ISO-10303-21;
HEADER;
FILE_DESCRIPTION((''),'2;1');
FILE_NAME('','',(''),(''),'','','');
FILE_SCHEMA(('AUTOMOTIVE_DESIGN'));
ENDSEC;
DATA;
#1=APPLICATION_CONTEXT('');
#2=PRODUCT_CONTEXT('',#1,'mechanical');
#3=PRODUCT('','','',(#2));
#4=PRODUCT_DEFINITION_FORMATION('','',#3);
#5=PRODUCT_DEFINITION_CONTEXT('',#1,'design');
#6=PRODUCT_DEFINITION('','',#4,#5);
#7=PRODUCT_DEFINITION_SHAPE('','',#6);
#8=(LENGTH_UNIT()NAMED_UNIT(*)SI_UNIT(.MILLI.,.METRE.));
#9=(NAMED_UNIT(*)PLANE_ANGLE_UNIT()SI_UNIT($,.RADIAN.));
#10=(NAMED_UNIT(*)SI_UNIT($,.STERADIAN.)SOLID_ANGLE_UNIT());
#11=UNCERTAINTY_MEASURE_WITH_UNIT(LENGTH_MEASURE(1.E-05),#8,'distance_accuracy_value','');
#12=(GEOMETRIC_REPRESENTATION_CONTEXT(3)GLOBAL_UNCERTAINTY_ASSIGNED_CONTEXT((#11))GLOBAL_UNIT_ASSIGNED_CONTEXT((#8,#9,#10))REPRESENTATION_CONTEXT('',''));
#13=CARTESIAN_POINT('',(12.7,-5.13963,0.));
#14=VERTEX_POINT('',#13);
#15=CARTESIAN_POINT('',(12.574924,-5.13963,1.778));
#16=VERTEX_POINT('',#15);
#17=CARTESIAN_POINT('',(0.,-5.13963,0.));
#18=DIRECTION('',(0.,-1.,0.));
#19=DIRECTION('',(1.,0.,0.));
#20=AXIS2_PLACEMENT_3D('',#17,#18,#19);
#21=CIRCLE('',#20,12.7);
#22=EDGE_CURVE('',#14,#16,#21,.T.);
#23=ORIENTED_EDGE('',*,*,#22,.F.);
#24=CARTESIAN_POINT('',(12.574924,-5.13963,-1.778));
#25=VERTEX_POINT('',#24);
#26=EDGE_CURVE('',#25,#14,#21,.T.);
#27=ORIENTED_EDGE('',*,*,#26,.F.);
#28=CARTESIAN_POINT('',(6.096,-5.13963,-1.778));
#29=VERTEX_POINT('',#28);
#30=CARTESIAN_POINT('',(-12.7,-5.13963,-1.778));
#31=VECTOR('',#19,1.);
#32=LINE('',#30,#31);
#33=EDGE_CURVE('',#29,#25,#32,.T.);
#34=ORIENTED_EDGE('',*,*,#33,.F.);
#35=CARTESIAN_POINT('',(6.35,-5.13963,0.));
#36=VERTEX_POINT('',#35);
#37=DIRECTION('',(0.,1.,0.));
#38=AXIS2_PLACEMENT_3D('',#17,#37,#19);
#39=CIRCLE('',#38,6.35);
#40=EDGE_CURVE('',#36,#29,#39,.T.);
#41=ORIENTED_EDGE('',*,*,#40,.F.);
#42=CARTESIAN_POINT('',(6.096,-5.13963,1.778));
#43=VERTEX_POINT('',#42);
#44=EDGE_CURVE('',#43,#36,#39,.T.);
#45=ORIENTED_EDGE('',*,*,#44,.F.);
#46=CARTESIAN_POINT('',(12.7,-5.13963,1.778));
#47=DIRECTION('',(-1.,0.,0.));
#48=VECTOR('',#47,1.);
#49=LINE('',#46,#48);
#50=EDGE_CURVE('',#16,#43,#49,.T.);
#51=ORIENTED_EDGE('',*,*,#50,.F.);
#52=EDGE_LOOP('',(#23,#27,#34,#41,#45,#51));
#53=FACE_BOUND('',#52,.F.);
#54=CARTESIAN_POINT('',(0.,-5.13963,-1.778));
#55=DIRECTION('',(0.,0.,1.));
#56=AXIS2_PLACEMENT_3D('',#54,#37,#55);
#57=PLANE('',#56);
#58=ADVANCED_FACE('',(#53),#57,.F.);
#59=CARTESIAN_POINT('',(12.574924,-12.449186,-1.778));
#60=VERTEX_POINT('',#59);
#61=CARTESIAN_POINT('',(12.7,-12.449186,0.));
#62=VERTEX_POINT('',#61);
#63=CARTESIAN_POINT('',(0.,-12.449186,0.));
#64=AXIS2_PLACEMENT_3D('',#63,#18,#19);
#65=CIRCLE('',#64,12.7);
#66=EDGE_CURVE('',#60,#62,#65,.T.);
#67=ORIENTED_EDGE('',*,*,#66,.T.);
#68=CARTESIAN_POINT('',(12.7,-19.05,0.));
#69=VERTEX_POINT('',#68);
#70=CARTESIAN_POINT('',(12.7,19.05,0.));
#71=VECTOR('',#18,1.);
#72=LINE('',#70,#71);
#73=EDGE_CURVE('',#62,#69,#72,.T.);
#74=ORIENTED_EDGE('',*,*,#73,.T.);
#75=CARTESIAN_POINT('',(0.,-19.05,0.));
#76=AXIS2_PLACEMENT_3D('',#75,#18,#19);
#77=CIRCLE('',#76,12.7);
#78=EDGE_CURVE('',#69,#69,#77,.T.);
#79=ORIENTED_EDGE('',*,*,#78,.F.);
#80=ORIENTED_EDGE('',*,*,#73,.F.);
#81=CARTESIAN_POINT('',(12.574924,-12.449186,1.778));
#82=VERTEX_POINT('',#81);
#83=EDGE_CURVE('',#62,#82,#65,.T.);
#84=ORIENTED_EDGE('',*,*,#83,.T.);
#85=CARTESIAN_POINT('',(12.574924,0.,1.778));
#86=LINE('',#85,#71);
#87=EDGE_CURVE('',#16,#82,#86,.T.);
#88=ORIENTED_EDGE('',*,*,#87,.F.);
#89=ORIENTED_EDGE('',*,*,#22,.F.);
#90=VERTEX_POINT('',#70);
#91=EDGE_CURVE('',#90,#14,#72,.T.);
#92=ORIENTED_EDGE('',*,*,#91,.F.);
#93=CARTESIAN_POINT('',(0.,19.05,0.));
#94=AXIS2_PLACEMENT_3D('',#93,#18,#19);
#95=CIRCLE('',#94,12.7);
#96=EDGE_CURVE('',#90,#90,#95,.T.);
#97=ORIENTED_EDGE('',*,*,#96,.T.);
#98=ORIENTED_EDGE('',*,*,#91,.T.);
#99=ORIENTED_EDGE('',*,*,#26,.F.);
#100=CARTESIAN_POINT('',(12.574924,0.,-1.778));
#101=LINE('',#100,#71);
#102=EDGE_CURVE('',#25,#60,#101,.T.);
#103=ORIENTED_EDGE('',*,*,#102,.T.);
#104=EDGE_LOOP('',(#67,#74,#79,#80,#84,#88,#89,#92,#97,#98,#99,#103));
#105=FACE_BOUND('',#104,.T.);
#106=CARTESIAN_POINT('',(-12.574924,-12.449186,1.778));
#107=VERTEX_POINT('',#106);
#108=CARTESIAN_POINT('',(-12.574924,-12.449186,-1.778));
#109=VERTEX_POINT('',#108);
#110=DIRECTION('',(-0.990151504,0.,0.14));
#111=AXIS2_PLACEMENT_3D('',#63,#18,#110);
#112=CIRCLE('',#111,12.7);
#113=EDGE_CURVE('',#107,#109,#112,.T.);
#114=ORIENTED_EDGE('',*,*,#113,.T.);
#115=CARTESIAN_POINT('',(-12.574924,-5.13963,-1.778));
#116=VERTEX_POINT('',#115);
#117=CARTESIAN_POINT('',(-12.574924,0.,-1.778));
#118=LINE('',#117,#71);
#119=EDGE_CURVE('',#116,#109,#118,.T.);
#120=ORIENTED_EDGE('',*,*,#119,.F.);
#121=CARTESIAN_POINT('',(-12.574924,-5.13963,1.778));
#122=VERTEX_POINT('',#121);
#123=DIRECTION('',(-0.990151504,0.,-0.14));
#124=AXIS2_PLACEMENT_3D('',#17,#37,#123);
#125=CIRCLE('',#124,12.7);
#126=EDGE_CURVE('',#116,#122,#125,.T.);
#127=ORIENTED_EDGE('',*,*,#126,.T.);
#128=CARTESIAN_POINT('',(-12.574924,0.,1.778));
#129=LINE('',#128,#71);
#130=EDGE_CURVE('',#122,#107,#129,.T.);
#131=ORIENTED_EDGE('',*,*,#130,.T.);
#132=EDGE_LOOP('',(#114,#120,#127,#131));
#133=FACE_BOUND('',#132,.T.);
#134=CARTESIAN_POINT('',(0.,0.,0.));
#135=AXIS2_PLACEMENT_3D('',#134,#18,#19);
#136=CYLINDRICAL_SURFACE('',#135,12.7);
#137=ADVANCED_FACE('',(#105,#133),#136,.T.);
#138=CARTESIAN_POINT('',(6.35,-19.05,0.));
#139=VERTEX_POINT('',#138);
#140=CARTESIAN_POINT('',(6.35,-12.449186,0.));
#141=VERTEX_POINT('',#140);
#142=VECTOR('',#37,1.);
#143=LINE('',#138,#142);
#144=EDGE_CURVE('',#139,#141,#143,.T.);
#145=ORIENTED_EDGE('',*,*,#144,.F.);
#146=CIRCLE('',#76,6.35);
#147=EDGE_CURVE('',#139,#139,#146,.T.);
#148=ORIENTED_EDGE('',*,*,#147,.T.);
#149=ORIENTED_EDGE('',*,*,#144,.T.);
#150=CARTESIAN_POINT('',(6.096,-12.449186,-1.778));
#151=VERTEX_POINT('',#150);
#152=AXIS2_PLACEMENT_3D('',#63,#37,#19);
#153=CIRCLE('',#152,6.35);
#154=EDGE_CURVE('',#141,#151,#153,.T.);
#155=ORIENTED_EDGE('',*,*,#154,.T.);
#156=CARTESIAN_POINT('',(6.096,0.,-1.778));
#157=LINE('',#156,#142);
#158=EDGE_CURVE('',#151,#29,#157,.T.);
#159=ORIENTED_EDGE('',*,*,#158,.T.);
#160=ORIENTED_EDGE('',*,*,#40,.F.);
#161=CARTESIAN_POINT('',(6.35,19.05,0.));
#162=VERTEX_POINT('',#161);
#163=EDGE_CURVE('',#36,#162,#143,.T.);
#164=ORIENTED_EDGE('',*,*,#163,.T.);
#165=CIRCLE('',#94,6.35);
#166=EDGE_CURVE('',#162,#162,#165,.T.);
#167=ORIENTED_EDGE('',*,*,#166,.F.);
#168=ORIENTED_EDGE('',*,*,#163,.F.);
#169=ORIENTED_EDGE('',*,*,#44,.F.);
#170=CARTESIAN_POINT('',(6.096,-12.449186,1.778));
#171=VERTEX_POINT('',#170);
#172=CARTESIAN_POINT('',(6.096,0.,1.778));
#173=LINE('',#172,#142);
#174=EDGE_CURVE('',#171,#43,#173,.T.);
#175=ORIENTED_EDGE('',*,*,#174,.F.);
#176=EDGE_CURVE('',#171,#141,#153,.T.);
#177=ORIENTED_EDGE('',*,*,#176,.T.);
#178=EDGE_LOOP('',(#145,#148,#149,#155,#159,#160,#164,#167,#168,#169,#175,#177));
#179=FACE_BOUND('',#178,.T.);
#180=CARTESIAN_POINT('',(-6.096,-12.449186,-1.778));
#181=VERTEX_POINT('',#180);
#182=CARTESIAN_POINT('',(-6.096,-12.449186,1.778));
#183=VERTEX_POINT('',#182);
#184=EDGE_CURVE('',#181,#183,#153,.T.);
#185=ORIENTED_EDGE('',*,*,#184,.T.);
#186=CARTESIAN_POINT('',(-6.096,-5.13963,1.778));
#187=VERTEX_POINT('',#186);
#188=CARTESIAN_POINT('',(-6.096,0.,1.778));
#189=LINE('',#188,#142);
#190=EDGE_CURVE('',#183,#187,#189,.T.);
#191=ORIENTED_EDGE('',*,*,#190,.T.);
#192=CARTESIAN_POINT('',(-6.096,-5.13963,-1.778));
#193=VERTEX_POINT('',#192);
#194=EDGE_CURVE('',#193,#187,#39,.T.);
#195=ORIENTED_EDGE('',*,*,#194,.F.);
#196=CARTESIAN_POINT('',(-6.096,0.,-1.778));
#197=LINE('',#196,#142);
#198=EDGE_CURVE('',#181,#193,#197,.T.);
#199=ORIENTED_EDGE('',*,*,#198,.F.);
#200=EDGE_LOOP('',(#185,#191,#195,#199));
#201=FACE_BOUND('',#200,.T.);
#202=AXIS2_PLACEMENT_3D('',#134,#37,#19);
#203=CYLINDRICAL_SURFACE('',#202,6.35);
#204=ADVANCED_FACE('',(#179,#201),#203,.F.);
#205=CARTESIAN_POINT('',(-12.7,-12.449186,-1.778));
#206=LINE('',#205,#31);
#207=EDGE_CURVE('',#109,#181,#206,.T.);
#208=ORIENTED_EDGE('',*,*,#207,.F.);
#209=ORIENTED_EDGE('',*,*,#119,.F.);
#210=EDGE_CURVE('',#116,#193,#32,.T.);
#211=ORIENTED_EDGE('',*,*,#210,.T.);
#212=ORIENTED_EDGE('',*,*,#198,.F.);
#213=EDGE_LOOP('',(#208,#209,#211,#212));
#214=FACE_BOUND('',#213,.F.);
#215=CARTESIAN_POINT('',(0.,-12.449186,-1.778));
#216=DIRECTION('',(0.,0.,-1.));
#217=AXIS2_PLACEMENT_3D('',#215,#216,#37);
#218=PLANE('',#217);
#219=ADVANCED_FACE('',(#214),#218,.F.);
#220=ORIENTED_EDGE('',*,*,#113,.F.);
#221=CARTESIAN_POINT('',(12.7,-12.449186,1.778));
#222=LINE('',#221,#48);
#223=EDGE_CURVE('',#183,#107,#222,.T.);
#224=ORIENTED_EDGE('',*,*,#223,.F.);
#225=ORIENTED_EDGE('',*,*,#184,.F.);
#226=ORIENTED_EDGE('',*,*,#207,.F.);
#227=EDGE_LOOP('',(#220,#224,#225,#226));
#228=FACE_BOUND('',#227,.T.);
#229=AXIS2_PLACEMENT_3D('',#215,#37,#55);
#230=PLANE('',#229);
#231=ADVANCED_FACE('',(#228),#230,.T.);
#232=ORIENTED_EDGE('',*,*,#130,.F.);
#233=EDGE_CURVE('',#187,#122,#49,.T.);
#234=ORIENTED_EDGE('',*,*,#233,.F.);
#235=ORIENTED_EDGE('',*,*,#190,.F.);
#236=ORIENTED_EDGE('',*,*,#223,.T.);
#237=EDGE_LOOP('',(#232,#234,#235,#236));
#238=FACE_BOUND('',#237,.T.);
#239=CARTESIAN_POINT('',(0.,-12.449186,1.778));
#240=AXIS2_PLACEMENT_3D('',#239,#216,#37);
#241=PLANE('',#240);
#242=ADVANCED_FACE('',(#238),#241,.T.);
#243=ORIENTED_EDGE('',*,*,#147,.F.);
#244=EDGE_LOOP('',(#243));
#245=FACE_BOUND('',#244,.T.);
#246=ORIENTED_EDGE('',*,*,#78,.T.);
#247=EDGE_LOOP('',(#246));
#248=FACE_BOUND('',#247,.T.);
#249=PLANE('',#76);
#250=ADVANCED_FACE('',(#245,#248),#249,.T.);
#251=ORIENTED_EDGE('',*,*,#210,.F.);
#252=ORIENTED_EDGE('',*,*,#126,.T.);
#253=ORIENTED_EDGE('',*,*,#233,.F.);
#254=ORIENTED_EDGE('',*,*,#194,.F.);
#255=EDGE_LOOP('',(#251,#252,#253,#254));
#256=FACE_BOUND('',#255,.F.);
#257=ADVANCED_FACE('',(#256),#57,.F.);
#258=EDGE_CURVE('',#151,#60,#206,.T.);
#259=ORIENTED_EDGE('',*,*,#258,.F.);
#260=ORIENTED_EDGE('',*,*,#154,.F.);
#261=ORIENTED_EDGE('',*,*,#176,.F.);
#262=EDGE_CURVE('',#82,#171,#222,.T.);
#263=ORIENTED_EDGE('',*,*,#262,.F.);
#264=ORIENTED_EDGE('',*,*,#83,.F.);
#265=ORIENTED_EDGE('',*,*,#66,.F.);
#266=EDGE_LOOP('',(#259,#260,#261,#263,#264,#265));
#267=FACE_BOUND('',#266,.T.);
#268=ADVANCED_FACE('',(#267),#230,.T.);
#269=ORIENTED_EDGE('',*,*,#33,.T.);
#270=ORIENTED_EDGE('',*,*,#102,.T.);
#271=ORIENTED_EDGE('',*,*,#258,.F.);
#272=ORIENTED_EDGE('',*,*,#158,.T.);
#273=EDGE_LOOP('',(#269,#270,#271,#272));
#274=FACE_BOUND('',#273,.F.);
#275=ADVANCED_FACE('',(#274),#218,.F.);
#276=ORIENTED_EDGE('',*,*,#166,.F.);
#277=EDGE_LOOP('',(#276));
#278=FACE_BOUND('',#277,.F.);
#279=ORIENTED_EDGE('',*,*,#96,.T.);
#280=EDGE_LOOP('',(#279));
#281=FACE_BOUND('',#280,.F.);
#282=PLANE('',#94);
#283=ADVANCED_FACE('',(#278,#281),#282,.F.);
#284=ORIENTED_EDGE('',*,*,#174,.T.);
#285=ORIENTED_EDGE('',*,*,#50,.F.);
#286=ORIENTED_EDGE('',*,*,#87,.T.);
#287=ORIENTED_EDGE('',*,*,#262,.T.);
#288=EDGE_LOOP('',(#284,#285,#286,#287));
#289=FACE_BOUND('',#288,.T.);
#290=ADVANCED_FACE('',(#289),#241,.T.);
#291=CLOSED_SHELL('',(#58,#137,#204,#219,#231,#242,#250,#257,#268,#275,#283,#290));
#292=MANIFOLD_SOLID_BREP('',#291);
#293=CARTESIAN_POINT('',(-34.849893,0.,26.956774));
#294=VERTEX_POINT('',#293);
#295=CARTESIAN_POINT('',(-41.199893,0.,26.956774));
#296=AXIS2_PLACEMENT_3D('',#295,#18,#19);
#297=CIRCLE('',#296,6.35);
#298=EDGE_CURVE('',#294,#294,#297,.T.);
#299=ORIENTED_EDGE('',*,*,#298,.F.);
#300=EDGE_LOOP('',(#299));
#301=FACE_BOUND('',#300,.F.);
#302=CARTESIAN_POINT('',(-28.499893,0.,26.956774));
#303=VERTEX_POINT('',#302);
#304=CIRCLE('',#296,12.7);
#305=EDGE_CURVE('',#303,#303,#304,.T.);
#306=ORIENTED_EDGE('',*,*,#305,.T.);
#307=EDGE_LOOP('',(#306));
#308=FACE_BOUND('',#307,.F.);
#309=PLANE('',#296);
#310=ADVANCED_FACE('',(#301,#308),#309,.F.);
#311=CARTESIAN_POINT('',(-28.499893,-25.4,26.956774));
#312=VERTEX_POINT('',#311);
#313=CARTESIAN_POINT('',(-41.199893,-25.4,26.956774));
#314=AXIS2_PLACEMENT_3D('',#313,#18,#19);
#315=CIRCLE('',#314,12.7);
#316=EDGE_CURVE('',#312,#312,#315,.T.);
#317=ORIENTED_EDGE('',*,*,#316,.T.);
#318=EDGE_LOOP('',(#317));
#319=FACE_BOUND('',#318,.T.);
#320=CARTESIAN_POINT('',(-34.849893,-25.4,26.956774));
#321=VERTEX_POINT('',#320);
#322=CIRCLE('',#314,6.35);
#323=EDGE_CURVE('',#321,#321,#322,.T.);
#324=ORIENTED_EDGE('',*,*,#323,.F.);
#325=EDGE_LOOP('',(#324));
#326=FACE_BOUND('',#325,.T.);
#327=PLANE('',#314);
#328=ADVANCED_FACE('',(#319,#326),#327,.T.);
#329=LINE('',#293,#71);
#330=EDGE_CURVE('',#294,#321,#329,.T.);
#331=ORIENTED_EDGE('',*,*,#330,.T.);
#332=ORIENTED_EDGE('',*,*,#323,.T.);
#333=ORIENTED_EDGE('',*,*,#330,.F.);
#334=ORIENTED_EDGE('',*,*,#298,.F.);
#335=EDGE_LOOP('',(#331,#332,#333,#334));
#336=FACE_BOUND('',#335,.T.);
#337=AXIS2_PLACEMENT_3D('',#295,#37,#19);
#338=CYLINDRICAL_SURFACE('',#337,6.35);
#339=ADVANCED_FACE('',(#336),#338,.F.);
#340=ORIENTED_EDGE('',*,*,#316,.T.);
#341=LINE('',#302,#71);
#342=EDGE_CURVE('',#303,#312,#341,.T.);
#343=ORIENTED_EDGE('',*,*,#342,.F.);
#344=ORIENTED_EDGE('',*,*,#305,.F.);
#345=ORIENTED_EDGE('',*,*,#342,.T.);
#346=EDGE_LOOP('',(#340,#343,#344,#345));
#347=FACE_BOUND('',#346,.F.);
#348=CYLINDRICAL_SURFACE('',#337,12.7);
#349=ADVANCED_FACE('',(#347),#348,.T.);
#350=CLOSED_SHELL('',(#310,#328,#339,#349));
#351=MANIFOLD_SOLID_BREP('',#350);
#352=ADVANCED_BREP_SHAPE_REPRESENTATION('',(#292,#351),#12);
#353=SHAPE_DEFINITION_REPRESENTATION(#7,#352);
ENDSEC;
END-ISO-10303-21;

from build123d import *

# Parameters (mm, degrees)
F0_R     = 12.7
F0_R_2   = 6.35
F1_DEPTH = 19.05
F2_R     = 12.7
F2_R_2   = 6.35
F3_DEPTH = 25.4
F4_W     = 7.309555
F4_H     = 3.556
F5_DEPTH = 12.7


with BuildPart() as f1:
    # F0 (on Front) → F1 (new body, symmetric)
    with BuildSketch(Plane.XZ):
        Circle(F0_R)
        Circle(F0_R_2, mode=Mode.SUBTRACT)
    extrude(amount=F1_DEPTH, both=True)

    # F4 (on Right) → F5 (cut, symmetric)
    with BuildSketch(Plane.YZ):
        with Locations((-8.794408, 0)):
            Rectangle(F4_W, F4_H)
    extrude(amount=F5_DEPTH, both=True, mode=Mode.SUBTRACT)


with BuildPart() as f3:
    # F2 (on Front) → F3 (new body)
    with BuildSketch(Plane.XZ):
        with Locations((-41.199893, 26.956774)):
            Circle(F2_R)
        with Locations((-41.199893, 26.956774)):
            Circle(F2_R_2, mode=Mode.SUBTRACT)
    extrude(amount=F3_DEPTH)


solid = Compound([f1.part, f3.part])
